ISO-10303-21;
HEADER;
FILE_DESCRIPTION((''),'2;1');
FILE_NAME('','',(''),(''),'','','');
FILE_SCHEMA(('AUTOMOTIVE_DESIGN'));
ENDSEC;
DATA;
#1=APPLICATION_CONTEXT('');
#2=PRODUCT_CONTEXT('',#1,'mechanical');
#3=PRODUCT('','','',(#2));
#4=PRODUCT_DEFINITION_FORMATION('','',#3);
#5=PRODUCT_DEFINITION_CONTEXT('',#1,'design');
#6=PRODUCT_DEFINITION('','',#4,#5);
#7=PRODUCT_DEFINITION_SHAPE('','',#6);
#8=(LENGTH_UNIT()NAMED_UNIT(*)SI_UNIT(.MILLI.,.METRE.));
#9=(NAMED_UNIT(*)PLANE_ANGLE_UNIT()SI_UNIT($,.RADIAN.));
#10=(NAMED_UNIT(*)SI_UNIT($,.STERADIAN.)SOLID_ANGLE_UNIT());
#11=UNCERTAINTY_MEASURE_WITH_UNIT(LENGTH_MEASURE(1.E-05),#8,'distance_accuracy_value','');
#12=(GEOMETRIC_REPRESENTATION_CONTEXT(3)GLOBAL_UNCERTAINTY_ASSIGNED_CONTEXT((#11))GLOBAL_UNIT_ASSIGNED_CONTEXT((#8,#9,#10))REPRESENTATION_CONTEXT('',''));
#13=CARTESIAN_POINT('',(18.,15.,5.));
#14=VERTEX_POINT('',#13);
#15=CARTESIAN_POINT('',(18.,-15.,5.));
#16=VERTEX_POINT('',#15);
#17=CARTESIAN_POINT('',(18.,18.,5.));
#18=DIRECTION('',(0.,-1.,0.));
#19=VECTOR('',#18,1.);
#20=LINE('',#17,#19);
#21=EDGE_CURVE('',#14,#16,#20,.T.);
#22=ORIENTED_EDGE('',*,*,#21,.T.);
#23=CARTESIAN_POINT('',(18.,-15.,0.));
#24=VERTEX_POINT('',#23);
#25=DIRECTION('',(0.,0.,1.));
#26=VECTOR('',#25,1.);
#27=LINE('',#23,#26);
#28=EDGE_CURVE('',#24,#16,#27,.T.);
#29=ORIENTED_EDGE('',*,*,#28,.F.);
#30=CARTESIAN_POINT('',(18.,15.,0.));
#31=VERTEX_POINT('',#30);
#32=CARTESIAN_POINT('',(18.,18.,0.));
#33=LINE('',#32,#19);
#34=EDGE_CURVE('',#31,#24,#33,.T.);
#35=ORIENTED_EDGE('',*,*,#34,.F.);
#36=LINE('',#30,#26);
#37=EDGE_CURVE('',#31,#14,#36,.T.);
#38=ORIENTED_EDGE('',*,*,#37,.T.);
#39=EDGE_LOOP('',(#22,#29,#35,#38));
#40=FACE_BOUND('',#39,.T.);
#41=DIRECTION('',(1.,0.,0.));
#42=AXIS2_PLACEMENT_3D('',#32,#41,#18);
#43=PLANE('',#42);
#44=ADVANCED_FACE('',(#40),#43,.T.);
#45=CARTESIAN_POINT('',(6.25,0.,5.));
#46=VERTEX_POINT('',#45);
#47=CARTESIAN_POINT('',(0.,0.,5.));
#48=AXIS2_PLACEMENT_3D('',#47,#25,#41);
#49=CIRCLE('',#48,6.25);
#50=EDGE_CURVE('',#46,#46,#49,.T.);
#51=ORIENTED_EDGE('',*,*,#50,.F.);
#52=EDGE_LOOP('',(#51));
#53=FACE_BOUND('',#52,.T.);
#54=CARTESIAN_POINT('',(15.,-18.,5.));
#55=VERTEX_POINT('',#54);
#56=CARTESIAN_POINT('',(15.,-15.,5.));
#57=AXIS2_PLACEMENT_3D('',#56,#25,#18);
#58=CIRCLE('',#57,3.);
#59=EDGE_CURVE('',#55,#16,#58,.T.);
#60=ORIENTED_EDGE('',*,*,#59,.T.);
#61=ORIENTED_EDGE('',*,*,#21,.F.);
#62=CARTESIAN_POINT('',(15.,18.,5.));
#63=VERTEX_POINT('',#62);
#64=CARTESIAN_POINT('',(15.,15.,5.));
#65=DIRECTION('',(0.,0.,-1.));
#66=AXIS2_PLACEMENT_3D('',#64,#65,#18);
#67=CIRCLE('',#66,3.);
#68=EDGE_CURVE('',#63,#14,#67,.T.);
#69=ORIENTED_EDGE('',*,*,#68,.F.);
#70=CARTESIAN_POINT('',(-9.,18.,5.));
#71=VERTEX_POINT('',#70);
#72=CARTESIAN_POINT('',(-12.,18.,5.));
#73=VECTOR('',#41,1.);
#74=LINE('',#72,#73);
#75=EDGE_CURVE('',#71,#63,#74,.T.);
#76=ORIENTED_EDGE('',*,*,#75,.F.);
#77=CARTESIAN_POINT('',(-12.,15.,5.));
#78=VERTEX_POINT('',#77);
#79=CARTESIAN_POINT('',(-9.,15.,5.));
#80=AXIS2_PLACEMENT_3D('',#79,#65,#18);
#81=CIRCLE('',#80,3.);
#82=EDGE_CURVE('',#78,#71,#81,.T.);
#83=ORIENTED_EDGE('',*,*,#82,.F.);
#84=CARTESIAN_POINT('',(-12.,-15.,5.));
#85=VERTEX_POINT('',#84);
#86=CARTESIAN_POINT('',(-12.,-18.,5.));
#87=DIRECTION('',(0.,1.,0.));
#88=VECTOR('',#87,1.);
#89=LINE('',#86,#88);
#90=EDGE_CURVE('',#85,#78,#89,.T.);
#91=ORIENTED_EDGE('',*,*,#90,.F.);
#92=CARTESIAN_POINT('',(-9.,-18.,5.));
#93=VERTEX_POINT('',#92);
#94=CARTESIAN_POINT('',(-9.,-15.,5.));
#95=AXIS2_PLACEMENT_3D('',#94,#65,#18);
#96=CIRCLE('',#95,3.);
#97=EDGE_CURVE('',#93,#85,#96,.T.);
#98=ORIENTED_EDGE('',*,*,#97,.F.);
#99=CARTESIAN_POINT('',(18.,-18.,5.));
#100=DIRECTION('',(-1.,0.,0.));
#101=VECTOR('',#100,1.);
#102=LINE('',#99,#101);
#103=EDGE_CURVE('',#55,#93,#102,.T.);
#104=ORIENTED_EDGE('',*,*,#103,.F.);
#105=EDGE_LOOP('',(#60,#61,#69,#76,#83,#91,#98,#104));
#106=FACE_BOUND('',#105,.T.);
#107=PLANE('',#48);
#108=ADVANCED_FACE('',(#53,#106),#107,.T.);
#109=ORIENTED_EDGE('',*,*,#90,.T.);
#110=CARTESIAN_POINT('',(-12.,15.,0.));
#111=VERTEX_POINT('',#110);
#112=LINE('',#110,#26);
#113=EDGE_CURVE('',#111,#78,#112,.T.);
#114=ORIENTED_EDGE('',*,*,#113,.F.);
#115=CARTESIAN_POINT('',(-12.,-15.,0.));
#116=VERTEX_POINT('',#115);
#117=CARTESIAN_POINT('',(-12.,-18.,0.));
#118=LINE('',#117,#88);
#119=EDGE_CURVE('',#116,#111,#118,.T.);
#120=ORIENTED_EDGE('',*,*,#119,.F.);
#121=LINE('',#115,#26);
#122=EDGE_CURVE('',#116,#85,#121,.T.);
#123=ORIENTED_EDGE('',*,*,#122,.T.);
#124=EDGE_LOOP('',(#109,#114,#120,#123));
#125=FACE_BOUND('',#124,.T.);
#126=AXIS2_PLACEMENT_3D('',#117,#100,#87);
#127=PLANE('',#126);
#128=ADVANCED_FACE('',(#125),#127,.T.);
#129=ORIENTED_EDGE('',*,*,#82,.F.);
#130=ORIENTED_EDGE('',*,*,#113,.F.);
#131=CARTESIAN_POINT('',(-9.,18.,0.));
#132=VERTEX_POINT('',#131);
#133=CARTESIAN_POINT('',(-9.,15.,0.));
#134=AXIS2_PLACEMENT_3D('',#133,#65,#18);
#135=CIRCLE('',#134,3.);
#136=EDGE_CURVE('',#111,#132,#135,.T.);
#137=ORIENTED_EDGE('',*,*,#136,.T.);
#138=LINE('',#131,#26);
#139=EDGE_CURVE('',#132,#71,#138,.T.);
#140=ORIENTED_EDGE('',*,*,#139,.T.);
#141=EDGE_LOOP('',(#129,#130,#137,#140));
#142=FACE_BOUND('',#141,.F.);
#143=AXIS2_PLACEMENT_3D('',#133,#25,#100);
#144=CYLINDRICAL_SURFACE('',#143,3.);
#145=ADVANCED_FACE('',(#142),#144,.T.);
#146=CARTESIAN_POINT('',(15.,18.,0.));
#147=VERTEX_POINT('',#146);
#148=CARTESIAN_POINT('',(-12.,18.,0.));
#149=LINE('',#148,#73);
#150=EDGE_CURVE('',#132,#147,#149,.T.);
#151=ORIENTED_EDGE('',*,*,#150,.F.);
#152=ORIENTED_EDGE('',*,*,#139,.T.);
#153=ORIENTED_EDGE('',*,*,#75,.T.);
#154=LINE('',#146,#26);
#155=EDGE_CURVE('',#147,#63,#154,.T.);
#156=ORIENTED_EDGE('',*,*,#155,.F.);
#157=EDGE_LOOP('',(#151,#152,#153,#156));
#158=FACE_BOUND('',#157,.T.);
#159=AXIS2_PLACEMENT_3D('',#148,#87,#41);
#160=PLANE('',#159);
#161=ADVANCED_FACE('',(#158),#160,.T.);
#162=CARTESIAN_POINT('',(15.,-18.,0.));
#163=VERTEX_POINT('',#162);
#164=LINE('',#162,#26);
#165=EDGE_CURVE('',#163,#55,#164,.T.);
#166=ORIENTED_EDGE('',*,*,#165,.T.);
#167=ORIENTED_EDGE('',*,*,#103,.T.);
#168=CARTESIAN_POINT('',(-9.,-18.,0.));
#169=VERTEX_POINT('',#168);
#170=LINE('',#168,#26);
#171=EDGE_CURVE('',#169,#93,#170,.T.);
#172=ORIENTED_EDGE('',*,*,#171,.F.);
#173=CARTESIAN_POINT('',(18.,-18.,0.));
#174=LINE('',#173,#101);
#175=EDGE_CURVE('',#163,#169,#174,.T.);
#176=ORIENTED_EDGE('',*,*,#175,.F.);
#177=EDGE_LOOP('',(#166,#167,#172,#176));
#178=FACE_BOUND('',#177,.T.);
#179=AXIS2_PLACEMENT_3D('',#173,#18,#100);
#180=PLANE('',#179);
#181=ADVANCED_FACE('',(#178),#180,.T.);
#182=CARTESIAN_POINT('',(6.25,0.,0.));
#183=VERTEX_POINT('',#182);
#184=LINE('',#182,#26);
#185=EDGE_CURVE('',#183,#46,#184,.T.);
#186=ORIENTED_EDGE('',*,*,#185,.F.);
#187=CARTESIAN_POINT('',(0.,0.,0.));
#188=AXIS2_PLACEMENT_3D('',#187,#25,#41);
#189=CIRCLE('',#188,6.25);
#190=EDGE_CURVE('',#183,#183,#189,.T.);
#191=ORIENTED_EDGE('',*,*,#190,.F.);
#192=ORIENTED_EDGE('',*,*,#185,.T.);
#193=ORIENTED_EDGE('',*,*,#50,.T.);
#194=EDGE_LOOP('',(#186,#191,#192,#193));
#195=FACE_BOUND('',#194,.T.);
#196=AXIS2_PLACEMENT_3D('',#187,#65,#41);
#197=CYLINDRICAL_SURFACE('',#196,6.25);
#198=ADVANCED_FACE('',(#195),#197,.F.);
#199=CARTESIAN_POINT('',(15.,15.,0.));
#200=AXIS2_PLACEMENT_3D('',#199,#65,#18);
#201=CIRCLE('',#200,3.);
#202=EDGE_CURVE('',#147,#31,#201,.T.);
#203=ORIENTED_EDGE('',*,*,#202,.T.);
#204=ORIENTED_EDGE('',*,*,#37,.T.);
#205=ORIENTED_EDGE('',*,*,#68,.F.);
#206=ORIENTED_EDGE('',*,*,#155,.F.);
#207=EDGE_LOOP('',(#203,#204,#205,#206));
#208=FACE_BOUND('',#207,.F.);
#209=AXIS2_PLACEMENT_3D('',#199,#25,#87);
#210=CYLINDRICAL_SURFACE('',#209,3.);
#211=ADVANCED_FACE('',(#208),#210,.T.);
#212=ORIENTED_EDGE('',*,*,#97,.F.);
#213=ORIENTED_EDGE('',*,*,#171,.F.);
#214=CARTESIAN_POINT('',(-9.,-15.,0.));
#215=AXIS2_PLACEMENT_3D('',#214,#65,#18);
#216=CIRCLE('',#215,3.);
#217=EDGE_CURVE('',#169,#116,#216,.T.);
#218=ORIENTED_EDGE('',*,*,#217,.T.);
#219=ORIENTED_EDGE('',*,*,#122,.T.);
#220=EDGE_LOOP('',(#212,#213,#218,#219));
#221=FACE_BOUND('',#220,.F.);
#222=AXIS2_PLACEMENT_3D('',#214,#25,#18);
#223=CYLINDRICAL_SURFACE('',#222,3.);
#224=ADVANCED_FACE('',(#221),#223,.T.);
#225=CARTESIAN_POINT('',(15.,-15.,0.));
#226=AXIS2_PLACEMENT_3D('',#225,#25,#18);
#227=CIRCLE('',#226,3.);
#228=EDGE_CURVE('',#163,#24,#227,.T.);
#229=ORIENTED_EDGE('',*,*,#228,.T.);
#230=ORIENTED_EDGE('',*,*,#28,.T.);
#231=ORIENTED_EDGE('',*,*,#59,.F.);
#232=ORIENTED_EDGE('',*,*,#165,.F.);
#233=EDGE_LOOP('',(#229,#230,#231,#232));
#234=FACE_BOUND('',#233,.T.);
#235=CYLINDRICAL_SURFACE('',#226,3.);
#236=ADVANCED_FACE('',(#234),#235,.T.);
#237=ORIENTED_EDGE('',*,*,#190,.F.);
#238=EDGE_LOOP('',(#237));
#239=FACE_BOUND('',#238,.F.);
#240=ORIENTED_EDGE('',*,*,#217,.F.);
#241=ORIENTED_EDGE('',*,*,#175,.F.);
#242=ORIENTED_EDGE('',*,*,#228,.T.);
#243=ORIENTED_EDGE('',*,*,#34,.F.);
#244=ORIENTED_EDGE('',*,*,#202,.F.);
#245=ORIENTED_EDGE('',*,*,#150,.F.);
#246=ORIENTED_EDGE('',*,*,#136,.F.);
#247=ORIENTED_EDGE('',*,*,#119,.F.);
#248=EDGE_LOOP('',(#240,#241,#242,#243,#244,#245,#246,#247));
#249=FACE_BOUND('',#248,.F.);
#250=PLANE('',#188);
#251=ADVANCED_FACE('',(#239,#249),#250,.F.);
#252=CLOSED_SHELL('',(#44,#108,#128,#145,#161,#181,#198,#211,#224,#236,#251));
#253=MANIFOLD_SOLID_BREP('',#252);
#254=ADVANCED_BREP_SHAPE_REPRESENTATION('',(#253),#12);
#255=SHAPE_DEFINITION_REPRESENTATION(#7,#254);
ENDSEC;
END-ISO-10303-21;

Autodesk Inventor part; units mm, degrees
ref_plane "YZ Plane" through (0, 0, 0) normal (1, 0, 0) x (0, 1, 0)
ref_plane "XZ Plane" through (0, 0, 0) normal (0, 1, 0) x (-1, 0, 0)
ref_plane "XY Plane" through (0, 0, 0) normal (0, 0, 1) x (1, 0, 0)
sketch "Эскиз1" plane through (0, 0, 0) normal (0, 0, 1) x (1, 0, 0)
  line L0 (18, -18) -> (-12, -18)
  line L1 (-12, -18) -> (-12, 18)
  line L2 (-12, 18) -> (18, 18)
  line L3 (18, 18) -> (18, -18)
  circle A0 centre (0, 0) radius 6.25
  dimension "d0" = 36
  dimension "d1" = 12.5
  dimension "d5" = 18
  dimension "d6" = 12
  dimension "d7" = 30
extrude "Выдавливание1" add sketch "Эскиз1" along normal blind 5
fillet "Сопряжение1" radius 3 4 edges at (-12, -18, 2.5) (-12, 18, 2.5) (18, 18, 2.5) (18, -18, 2.5)
properties part number "платик под опору редуктора-01"
